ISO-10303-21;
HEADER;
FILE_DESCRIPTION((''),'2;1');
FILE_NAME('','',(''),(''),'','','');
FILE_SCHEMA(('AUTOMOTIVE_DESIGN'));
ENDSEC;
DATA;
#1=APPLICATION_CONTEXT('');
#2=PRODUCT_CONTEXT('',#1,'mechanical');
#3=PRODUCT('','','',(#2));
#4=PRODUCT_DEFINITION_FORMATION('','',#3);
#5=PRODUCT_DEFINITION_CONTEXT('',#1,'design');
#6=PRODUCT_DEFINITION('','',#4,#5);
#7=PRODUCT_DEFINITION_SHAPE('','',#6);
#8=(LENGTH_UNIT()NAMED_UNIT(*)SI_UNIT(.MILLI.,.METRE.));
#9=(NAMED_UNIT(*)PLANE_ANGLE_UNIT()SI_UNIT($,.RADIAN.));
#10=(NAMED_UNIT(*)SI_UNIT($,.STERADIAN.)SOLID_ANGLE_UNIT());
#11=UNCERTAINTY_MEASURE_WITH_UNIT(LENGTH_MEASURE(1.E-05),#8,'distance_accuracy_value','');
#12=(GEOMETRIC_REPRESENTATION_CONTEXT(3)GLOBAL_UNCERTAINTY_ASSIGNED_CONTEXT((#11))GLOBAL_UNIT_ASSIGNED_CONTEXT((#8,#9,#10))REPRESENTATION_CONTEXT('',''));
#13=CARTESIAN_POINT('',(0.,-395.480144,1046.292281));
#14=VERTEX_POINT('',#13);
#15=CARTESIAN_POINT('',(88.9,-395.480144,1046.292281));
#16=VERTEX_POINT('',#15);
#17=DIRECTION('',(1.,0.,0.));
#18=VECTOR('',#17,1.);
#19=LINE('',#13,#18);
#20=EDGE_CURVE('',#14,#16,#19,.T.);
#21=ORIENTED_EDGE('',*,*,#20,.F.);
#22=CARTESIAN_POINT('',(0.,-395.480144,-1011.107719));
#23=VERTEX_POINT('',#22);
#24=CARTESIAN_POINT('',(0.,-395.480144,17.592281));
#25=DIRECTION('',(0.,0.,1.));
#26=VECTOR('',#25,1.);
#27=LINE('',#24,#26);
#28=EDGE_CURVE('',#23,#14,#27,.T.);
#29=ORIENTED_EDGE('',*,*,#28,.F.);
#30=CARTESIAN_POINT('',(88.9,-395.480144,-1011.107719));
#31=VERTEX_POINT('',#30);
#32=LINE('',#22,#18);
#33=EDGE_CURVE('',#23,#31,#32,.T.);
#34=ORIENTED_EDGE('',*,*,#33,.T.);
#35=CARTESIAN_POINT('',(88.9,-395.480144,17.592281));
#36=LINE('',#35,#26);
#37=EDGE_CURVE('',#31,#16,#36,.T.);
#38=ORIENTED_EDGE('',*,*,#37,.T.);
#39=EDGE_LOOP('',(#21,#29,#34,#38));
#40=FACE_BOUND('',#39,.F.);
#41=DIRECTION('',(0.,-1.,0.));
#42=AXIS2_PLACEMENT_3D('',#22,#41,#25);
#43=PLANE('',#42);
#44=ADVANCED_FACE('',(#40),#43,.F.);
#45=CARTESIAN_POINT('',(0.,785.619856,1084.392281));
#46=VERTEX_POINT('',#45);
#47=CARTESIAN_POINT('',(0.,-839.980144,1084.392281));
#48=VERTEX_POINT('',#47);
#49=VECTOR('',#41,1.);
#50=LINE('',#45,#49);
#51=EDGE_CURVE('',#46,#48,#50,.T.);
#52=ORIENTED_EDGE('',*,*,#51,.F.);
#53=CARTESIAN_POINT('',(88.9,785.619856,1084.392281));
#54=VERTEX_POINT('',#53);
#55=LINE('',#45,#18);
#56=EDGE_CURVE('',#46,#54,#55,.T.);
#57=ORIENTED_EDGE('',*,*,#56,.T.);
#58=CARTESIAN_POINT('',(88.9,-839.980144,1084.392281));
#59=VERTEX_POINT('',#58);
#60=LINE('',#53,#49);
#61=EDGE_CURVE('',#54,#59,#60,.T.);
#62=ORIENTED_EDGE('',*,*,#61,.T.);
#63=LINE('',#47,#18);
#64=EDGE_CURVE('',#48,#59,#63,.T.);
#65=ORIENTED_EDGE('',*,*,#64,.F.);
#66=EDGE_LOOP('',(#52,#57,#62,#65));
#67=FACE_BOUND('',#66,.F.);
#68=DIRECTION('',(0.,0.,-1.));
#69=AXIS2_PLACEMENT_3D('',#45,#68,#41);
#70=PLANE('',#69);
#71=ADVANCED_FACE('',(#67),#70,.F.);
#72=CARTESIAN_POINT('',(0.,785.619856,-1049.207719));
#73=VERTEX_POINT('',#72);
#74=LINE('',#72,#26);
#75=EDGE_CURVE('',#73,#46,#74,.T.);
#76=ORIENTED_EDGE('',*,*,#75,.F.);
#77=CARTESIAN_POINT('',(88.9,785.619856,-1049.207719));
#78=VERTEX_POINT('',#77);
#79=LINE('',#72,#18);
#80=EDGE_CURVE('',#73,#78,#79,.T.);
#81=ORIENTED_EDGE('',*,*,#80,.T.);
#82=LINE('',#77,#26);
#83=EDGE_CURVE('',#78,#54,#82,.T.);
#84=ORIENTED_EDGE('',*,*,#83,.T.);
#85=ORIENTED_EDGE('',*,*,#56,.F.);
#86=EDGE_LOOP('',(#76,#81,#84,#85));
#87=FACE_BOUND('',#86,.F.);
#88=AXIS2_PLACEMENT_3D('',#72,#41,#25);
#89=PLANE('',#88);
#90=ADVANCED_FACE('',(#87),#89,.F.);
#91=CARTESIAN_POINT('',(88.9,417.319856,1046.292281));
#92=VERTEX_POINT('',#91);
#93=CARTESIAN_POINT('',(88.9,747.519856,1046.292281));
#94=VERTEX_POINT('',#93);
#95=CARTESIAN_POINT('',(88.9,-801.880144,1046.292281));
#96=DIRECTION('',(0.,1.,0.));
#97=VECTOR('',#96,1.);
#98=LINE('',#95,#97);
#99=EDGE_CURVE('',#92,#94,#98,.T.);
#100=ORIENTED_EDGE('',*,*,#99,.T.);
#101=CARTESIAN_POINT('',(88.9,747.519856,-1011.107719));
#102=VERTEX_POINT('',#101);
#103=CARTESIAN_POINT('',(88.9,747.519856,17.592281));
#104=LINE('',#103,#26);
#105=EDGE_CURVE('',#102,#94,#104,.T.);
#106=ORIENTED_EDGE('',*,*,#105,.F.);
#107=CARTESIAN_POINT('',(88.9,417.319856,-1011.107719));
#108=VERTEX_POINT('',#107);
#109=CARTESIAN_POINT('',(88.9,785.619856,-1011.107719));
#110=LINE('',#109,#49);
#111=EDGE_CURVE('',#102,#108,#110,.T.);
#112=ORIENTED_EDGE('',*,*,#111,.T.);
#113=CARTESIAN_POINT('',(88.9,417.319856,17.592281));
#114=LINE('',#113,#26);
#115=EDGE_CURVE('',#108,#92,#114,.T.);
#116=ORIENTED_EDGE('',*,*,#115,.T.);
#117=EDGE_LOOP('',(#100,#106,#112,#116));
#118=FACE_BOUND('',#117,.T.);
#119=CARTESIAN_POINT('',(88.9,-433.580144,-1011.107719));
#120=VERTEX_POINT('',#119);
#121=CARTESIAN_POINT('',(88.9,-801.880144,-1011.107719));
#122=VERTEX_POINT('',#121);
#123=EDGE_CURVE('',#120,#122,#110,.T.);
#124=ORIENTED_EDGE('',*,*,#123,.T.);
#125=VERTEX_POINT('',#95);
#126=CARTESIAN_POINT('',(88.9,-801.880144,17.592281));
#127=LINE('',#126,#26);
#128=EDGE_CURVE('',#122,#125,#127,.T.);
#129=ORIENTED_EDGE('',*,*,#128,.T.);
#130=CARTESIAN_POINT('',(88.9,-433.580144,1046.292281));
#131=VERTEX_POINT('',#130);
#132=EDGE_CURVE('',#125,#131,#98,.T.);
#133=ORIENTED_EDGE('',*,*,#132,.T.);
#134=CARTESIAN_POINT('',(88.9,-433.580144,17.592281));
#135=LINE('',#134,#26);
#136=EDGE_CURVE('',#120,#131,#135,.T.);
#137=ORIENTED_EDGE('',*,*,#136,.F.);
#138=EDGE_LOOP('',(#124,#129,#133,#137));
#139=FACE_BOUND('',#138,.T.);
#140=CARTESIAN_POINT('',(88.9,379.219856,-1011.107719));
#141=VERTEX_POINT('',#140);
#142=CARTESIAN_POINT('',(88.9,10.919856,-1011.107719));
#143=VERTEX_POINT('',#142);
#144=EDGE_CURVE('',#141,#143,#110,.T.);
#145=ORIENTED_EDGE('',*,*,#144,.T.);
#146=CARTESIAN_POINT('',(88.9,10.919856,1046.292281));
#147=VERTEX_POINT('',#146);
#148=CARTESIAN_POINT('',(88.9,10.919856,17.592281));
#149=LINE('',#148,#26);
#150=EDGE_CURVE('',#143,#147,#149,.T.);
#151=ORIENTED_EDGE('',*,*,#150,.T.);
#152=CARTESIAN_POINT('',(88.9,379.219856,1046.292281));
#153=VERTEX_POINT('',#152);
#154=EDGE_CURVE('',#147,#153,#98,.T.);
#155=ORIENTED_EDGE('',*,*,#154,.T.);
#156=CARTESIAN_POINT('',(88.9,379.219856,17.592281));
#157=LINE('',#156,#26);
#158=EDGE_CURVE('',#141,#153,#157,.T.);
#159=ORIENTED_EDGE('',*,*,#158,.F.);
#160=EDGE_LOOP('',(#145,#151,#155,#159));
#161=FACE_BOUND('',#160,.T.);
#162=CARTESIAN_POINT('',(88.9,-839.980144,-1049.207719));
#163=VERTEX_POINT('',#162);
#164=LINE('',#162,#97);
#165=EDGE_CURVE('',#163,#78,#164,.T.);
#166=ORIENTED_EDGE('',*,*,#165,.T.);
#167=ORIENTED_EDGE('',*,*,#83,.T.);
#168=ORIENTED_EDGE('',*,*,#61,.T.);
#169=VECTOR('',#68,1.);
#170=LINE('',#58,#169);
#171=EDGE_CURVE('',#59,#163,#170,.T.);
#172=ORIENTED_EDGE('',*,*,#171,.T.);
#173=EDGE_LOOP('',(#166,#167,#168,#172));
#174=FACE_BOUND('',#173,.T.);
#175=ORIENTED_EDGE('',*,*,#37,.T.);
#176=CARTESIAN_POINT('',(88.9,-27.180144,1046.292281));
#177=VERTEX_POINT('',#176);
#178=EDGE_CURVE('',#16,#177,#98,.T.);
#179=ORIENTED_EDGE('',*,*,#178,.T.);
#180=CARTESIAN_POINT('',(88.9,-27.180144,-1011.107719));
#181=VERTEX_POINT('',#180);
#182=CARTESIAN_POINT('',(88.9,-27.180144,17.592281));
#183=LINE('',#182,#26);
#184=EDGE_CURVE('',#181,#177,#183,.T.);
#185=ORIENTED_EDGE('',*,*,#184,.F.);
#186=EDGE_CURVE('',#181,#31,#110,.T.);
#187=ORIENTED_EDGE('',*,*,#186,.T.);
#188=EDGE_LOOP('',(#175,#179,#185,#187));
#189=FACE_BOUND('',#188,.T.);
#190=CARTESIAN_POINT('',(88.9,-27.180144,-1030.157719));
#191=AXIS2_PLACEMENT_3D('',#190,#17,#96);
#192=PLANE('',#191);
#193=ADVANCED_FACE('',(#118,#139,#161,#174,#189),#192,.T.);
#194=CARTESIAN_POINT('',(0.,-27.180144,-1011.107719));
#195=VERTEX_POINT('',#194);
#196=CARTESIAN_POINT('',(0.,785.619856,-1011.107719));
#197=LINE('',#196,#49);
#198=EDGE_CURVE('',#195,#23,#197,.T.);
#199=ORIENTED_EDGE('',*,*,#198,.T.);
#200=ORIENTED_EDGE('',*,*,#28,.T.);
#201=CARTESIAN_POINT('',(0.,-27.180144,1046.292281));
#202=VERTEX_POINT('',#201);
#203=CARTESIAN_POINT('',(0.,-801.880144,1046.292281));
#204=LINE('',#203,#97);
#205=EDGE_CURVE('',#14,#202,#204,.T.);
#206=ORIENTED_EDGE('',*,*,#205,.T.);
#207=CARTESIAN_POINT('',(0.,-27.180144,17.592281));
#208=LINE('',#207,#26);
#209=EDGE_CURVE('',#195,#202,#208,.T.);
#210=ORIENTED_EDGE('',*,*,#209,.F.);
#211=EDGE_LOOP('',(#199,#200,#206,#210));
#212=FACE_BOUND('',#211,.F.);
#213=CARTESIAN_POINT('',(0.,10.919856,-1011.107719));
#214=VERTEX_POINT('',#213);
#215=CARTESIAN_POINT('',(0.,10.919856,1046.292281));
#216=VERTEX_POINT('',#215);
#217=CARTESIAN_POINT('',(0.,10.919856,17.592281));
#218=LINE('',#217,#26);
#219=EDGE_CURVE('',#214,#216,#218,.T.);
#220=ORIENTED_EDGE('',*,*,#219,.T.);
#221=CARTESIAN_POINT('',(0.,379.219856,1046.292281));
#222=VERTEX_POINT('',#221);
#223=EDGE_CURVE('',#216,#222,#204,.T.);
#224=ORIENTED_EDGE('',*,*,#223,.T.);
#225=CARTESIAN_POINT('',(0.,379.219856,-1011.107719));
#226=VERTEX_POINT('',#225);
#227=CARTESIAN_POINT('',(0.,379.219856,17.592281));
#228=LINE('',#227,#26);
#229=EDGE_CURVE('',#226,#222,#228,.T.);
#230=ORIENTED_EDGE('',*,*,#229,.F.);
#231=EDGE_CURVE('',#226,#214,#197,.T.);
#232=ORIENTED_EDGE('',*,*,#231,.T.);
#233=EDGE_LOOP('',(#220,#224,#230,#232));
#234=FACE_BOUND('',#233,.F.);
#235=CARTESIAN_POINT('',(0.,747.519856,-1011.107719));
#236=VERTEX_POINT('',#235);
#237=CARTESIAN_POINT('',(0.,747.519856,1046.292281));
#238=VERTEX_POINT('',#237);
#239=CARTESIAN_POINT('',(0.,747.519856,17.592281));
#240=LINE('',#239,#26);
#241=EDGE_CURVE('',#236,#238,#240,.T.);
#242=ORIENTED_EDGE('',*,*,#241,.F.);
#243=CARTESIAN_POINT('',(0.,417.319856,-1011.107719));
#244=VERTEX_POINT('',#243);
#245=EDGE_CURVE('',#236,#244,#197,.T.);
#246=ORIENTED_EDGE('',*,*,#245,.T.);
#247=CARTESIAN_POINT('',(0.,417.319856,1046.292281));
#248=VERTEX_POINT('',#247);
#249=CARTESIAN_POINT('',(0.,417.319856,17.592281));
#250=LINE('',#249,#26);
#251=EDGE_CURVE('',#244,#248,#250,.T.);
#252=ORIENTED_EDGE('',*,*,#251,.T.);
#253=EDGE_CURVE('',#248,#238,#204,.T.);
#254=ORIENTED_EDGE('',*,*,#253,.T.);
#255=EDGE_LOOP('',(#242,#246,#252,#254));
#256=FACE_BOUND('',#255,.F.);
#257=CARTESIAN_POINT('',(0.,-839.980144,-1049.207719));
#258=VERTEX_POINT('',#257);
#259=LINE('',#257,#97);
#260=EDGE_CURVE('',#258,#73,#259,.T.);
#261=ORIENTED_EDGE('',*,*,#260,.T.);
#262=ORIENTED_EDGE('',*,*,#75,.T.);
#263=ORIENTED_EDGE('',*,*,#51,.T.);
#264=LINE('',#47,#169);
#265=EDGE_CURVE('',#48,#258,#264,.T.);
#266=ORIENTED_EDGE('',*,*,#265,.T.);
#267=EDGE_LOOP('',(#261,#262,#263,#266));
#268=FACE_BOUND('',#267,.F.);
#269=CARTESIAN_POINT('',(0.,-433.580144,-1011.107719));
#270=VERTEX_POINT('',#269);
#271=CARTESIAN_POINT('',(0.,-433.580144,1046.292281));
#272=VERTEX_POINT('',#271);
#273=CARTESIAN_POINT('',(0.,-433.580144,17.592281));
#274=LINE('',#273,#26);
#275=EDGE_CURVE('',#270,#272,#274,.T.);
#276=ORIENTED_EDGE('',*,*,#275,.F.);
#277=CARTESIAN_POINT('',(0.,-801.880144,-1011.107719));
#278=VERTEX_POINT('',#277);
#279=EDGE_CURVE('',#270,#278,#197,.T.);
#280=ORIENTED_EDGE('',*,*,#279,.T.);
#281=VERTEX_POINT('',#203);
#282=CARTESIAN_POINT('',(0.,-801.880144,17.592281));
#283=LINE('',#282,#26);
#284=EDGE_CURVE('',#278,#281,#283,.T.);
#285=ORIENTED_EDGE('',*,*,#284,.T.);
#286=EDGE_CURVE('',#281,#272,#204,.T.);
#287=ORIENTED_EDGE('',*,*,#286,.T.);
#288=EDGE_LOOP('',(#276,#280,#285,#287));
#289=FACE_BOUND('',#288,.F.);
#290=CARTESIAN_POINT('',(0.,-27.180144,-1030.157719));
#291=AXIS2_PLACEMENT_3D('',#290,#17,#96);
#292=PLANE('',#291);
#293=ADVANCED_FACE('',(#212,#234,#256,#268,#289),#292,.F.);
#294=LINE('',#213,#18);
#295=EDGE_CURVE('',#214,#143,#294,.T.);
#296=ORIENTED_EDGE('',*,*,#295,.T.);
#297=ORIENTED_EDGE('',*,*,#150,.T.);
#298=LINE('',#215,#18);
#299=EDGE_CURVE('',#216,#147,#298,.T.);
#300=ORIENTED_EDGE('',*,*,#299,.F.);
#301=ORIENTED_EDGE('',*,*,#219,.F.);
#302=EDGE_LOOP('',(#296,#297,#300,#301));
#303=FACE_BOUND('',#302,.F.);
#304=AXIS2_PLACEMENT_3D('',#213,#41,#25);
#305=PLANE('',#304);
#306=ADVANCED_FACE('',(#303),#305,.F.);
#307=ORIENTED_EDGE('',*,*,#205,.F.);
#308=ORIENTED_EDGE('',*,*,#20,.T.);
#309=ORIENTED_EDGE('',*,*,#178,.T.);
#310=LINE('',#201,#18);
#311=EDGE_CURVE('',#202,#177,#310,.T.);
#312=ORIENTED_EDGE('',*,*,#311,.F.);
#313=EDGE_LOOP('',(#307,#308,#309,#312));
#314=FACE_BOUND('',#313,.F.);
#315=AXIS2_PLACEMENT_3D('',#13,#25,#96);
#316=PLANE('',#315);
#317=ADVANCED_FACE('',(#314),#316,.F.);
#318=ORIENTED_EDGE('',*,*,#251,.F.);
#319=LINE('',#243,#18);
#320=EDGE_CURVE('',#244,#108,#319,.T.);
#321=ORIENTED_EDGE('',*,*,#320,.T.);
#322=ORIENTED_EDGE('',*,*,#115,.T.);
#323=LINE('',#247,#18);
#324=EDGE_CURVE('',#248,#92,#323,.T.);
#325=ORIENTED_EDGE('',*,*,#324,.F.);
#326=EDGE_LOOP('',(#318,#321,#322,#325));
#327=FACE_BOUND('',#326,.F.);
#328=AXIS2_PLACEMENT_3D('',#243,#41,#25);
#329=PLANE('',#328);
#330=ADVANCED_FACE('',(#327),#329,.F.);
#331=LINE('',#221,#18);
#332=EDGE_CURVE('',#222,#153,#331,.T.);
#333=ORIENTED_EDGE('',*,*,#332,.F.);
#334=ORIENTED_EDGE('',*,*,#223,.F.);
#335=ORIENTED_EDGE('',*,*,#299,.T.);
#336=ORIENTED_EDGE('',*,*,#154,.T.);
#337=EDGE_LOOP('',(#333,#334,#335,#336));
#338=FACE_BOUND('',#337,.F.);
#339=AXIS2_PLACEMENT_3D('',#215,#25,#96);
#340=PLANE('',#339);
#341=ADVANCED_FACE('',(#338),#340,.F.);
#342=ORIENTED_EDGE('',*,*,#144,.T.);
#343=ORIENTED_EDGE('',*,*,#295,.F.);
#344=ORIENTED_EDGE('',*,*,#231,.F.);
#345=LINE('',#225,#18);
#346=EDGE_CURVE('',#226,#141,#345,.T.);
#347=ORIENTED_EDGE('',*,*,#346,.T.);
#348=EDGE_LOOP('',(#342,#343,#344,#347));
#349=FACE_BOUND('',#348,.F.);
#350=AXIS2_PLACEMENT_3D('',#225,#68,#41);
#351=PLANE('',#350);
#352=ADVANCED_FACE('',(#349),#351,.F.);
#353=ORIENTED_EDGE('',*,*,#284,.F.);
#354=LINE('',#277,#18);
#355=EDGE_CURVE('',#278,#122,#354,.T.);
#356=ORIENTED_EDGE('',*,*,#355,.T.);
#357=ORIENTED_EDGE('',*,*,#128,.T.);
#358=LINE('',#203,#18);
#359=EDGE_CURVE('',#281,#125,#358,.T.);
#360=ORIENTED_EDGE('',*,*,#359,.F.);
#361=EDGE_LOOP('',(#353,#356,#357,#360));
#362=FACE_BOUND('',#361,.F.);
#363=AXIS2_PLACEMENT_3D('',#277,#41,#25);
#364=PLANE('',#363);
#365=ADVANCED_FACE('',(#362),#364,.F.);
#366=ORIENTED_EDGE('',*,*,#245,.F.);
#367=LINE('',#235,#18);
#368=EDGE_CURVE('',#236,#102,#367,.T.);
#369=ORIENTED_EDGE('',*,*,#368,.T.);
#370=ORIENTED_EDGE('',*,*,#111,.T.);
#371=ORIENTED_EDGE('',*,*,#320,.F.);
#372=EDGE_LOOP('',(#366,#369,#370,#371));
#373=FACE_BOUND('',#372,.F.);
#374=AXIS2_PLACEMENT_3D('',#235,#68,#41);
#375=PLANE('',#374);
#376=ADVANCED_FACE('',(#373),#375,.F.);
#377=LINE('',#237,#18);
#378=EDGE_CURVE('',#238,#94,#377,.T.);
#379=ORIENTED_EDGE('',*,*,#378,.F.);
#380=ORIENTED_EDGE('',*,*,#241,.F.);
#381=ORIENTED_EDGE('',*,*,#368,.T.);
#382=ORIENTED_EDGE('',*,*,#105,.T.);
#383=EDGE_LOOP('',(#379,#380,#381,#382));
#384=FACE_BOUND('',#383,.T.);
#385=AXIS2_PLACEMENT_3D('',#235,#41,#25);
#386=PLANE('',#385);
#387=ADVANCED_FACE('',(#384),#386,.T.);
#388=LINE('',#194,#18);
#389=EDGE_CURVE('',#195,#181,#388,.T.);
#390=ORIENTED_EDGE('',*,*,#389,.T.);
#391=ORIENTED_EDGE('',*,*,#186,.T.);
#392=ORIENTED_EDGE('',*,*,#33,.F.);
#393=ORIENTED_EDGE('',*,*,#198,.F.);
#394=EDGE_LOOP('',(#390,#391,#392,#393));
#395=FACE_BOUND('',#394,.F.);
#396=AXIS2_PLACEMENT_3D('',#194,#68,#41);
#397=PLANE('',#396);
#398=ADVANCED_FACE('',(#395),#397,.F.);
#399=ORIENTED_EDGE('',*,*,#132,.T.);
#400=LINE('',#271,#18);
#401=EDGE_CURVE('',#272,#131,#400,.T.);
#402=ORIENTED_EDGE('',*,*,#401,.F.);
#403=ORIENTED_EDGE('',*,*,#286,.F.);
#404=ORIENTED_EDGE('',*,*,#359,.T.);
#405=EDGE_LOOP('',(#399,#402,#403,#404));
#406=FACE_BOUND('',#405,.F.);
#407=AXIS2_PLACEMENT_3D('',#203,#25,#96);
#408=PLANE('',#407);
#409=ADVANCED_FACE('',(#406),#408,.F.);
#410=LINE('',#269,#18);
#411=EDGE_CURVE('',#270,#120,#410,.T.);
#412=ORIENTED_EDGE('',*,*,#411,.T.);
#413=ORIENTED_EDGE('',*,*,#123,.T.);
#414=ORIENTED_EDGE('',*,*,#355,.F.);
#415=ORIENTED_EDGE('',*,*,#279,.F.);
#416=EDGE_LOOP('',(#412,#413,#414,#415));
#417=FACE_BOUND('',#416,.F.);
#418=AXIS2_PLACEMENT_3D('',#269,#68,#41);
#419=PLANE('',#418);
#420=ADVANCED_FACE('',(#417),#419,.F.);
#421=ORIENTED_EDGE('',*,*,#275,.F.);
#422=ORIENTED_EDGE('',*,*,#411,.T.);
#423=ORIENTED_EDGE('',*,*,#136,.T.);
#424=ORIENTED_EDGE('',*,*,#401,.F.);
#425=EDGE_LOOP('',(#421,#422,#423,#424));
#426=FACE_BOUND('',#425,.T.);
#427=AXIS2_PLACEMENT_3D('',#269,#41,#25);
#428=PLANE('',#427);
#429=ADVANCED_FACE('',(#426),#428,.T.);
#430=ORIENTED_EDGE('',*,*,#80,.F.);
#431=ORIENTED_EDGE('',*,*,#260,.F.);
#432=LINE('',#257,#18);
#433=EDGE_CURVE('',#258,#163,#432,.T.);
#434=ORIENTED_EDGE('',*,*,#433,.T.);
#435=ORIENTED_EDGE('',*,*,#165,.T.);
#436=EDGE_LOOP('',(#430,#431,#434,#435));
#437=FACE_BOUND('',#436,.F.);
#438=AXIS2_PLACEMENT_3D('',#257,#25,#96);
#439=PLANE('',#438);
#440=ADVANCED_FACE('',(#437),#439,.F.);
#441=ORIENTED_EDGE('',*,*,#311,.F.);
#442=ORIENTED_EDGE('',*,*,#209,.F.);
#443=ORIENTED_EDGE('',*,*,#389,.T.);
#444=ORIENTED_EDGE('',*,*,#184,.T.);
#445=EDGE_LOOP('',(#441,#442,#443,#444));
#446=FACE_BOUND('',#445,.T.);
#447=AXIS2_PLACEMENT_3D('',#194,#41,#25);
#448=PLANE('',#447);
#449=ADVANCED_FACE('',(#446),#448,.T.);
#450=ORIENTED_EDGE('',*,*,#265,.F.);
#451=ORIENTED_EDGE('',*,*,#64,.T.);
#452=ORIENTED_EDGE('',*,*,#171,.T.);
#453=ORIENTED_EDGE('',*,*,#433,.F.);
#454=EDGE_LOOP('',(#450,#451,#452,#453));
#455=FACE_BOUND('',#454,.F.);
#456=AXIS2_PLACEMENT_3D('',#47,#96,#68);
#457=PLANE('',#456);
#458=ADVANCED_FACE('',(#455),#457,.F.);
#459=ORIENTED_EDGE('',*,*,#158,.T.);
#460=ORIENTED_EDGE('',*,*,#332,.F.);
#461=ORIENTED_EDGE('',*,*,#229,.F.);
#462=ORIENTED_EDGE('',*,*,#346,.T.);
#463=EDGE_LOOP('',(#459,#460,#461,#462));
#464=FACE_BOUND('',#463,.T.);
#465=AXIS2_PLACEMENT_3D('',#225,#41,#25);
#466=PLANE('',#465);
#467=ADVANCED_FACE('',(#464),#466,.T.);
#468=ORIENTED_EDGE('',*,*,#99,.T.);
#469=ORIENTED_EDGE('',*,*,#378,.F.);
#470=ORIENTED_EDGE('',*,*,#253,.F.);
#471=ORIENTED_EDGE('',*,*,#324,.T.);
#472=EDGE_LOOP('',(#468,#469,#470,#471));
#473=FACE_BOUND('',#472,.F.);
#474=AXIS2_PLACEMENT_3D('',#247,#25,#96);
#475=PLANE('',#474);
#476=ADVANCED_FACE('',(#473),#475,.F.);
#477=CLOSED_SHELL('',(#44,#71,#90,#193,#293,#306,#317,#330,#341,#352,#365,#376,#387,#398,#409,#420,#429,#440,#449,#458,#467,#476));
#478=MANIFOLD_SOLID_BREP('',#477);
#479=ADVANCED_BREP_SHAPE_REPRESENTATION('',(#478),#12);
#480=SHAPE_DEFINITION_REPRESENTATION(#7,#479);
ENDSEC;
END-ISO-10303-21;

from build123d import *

# Parameters (mm, degrees)
F0_W     = 38.1
F0_H     = 2057.4
F1_DEPTH = 88.9


with BuildPart() as f1:
    # F0 (on Right) → F1 (new body)
    with BuildSketch(Plane.YZ):
        Polygon((-839.980144, -1011.107719), (-839.980144, -1049.207719), (785.619856, -1049.207719), (785.619856, -1011.107719), (747.519856, -1011.107719), (417.319856, -1011.107719), (379.219856, -1011.107719), (10.919856, -1011.107719), (-27.180144, -1011.107719), (-395.480144, -1011.107719), (-433.580144, -1011.107719), (-801.880144, -1011.107719), align=None)
        with Locations((-820.930144, 17.592281)):
            Rectangle(F0_W, F0_H)
        with Locations((766.569856, 17.592281)):
            Rectangle(F0_W, F0_H)
        Polygon((-839.980144, 1084.392281), (-839.980144, 1046.292281), (-801.880144, 1046.292281), (-433.580144, 1046.292281), (-395.480144, 1046.292281), (-27.180144, 1046.292281), (10.919856, 1046.292281), (379.219856, 1046.292281), (417.319856, 1046.292281), (747.519856, 1046.292281), (785.619856, 1046.292281), (785.619856, 1084.392281), align=None)
        with Locations((-414.530144, 17.592281)):
            Rectangle(F0_W, F0_H)
        with Locations((-8.130144, 17.592281)):
            Rectangle(F0_W, F0_H)
        with Locations((398.269856, 17.592281)):
            Rectangle(F0_W, F0_H)
    extrude(amount=F1_DEPTH)


solid = f1.part
